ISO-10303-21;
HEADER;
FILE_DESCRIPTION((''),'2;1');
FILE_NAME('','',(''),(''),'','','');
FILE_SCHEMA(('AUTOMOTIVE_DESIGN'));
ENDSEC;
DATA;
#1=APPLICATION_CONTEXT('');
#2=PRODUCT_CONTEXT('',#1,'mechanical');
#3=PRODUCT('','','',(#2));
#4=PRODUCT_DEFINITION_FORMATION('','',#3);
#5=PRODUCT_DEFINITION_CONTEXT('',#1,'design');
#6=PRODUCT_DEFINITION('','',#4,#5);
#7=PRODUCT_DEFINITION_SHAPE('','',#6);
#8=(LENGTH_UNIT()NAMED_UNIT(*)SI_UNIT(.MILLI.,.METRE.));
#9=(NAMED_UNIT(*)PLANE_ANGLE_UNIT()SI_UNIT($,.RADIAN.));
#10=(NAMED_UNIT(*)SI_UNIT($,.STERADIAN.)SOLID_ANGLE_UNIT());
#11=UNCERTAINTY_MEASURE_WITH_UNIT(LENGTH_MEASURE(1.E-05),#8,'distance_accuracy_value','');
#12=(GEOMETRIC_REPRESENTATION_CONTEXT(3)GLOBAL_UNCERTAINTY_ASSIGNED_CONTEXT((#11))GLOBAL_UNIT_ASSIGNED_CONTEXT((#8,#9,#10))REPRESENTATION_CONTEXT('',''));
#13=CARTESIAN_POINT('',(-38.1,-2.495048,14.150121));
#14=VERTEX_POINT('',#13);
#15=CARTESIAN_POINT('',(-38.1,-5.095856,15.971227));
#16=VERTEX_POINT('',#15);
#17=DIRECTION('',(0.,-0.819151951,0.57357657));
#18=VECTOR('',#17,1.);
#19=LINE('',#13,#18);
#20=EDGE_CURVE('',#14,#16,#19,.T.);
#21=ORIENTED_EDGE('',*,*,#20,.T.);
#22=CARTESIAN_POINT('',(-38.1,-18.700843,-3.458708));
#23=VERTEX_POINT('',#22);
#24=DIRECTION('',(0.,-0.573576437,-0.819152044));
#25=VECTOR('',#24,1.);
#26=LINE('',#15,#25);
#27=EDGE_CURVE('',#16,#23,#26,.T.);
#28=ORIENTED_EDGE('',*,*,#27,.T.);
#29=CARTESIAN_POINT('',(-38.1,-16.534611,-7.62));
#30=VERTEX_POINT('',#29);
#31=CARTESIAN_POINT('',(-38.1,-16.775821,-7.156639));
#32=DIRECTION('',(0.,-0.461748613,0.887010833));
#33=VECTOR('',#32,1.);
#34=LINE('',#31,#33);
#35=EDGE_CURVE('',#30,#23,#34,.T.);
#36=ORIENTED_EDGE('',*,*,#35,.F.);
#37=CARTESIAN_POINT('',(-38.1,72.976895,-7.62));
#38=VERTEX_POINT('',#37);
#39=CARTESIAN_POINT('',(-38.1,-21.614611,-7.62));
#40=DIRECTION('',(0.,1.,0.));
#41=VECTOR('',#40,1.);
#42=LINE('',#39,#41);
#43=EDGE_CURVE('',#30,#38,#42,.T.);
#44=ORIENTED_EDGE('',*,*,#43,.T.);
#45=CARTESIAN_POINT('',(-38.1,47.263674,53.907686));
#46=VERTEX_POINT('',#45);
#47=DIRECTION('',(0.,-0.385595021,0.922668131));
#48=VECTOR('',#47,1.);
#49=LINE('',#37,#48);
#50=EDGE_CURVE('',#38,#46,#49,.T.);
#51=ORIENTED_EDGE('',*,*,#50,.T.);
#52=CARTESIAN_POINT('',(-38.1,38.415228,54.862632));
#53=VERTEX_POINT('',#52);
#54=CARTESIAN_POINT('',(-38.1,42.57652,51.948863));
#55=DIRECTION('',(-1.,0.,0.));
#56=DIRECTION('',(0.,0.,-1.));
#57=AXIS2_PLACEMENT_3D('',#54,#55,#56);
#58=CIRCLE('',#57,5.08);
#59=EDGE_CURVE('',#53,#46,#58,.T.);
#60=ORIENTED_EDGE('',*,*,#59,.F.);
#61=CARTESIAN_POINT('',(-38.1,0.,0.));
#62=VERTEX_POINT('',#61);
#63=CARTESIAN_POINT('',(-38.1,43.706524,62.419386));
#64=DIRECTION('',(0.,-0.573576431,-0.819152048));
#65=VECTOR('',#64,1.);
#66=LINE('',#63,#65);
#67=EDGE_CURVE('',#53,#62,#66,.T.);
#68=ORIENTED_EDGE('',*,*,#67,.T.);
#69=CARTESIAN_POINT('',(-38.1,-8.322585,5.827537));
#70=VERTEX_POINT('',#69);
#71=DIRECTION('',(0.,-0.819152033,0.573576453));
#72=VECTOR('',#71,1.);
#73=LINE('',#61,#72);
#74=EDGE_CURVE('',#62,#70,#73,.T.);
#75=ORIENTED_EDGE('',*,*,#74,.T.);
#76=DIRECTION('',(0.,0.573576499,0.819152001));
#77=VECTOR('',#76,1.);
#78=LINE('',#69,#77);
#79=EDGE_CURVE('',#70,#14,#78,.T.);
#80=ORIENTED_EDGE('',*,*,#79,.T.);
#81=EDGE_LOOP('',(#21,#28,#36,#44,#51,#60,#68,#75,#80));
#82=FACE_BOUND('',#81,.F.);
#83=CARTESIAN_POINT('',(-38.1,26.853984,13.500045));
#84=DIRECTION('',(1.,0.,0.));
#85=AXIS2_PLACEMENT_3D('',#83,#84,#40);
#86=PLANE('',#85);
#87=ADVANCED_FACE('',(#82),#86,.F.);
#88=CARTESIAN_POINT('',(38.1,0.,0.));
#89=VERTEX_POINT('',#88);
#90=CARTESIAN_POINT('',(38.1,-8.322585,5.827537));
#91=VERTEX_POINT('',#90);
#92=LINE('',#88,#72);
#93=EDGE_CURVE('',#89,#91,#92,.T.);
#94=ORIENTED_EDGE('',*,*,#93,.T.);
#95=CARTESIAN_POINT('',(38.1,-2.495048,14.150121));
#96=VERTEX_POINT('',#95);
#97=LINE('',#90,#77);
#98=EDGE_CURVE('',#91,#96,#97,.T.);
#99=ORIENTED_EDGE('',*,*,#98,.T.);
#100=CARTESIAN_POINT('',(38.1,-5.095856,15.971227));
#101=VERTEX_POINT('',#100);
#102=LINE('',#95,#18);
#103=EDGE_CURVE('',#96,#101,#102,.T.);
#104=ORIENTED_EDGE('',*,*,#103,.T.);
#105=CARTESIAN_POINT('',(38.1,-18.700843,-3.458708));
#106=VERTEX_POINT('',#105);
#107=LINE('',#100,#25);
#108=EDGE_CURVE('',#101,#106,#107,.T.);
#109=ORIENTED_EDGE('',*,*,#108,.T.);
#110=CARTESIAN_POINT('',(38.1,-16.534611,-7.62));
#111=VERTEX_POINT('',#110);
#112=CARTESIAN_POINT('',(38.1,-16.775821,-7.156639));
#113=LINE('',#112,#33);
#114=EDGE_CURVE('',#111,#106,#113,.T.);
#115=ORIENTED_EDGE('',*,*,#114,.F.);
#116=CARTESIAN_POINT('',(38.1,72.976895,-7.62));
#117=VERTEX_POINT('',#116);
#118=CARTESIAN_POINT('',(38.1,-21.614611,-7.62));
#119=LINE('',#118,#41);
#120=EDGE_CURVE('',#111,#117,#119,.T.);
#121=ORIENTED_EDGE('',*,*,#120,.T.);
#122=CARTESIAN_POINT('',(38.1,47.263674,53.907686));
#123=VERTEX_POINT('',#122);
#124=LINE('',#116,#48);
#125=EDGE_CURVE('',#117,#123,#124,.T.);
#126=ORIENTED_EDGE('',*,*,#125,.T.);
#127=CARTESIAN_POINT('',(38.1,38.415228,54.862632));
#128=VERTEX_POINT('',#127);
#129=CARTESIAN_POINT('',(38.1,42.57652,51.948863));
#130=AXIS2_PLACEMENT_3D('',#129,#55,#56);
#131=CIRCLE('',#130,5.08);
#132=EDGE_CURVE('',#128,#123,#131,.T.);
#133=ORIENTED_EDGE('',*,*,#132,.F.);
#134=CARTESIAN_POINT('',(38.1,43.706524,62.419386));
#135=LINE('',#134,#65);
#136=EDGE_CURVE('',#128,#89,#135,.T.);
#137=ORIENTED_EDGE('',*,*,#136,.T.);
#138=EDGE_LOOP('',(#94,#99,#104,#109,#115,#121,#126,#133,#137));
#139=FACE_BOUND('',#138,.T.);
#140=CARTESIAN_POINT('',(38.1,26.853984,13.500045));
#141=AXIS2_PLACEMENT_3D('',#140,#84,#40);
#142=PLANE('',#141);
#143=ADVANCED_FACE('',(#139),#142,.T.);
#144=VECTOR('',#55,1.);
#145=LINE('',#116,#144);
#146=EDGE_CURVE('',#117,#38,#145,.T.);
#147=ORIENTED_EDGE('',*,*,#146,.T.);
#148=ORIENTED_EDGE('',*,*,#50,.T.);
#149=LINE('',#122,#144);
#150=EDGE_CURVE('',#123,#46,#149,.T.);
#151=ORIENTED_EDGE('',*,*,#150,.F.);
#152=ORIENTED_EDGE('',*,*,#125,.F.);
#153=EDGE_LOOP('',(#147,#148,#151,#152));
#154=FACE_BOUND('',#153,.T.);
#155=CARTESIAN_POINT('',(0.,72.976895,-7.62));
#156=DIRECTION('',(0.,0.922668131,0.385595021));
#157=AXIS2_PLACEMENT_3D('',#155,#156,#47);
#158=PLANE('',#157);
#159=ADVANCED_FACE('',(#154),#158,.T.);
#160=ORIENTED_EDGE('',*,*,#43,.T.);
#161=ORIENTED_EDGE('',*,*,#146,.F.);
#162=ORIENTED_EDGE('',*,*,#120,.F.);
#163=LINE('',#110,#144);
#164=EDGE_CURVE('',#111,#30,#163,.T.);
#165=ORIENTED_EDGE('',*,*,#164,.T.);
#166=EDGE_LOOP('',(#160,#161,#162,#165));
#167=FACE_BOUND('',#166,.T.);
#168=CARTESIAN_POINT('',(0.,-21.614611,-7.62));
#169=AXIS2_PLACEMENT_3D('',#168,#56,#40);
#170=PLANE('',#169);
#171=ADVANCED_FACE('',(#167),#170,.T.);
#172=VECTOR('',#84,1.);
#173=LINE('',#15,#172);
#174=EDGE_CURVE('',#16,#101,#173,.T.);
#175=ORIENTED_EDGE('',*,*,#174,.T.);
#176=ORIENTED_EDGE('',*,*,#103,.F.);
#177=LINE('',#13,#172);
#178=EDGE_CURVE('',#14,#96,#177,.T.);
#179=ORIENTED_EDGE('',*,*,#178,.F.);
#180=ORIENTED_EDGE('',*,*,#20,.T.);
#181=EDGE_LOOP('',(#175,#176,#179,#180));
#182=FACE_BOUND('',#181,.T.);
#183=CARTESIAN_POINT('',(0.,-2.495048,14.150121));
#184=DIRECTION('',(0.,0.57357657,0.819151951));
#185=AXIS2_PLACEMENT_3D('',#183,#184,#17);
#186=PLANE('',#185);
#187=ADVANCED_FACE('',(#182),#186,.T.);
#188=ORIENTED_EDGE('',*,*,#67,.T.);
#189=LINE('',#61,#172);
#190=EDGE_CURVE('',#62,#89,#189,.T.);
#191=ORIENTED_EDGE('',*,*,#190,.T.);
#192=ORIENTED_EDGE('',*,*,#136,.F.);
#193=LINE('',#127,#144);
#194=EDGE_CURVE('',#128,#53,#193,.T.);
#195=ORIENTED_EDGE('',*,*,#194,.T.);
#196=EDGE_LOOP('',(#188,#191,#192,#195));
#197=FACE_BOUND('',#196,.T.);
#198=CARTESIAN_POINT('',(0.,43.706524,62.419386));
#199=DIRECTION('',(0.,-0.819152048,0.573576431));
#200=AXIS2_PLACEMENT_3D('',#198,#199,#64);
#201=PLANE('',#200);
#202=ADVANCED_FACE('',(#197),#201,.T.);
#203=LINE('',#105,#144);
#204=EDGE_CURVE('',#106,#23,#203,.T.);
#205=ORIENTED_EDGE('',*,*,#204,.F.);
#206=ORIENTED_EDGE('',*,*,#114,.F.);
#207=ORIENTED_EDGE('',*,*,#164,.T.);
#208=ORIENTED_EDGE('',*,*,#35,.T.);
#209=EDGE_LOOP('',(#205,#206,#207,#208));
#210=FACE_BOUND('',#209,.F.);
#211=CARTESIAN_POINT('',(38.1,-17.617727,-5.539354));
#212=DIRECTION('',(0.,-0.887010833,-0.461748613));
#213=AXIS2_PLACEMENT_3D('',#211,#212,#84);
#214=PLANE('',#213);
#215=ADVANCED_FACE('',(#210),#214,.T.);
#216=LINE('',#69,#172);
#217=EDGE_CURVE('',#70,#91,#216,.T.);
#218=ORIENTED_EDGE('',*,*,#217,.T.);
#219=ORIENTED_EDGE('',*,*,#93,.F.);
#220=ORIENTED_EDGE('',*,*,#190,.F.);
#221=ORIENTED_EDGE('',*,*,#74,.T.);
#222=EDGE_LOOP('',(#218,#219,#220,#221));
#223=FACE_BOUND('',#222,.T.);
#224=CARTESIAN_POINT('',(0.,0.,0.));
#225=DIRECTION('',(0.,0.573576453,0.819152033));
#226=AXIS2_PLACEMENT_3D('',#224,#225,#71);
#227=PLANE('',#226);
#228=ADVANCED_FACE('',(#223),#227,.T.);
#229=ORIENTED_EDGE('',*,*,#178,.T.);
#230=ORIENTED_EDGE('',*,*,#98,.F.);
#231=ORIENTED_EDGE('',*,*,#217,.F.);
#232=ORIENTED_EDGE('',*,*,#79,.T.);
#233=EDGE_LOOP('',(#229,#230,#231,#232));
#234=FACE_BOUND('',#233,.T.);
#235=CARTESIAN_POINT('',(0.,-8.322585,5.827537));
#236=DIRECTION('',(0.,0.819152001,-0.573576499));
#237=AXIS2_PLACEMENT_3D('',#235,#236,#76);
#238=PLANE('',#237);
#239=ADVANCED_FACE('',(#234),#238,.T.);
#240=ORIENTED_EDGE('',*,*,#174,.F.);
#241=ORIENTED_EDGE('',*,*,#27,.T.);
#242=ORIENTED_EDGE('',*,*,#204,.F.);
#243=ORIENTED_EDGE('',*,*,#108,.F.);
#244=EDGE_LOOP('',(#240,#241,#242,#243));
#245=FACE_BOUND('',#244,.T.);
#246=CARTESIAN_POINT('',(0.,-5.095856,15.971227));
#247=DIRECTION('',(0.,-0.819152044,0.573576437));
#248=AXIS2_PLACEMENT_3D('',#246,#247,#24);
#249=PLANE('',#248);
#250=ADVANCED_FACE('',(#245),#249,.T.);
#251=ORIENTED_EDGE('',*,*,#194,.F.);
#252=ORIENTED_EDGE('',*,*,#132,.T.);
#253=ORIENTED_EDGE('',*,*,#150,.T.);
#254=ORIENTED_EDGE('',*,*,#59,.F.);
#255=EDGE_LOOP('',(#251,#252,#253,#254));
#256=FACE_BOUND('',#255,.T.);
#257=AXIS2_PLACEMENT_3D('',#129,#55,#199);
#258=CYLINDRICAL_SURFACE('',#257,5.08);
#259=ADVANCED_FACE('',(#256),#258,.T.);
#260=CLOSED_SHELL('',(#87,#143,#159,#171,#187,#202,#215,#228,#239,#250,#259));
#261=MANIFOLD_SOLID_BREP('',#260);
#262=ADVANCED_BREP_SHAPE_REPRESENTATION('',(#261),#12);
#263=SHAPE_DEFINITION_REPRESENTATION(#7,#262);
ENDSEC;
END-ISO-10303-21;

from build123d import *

# Parameters (mm, degrees)
F1_DEPTH = 38.1
F2_R     = 5.08
F3_SIZE  = 5.08


with BuildPart() as f1:
    # F0 (on Right) → F1 (new body, symmetric)
    with BuildSketch(Plane.YZ):
        Polygon((43.706524, 62.419386), (0, 0), (-8.322585, 5.827537), (-2.495048, 14.150121), (-5.095856, 15.971227), (-21.614611, -7.62), (72.976895, -7.62), align=None)
    extrude(amount=F1_DEPTH, both=True)

    # F2
    f2_edges = [f1.edges().sort_by_distance(p)[0] for p in [
        (0, 43.706524, 62.419386),
    ]]
    fillet(f2_edges, radius=F2_R)

    # F3
    f3_edges = [f1.edges().sort_by_distance(p)[0] for p in [
        (0, -21.614611, -7.62),
    ]]
    chamfer(f3_edges, length=F3_SIZE)


solid = f1.part
